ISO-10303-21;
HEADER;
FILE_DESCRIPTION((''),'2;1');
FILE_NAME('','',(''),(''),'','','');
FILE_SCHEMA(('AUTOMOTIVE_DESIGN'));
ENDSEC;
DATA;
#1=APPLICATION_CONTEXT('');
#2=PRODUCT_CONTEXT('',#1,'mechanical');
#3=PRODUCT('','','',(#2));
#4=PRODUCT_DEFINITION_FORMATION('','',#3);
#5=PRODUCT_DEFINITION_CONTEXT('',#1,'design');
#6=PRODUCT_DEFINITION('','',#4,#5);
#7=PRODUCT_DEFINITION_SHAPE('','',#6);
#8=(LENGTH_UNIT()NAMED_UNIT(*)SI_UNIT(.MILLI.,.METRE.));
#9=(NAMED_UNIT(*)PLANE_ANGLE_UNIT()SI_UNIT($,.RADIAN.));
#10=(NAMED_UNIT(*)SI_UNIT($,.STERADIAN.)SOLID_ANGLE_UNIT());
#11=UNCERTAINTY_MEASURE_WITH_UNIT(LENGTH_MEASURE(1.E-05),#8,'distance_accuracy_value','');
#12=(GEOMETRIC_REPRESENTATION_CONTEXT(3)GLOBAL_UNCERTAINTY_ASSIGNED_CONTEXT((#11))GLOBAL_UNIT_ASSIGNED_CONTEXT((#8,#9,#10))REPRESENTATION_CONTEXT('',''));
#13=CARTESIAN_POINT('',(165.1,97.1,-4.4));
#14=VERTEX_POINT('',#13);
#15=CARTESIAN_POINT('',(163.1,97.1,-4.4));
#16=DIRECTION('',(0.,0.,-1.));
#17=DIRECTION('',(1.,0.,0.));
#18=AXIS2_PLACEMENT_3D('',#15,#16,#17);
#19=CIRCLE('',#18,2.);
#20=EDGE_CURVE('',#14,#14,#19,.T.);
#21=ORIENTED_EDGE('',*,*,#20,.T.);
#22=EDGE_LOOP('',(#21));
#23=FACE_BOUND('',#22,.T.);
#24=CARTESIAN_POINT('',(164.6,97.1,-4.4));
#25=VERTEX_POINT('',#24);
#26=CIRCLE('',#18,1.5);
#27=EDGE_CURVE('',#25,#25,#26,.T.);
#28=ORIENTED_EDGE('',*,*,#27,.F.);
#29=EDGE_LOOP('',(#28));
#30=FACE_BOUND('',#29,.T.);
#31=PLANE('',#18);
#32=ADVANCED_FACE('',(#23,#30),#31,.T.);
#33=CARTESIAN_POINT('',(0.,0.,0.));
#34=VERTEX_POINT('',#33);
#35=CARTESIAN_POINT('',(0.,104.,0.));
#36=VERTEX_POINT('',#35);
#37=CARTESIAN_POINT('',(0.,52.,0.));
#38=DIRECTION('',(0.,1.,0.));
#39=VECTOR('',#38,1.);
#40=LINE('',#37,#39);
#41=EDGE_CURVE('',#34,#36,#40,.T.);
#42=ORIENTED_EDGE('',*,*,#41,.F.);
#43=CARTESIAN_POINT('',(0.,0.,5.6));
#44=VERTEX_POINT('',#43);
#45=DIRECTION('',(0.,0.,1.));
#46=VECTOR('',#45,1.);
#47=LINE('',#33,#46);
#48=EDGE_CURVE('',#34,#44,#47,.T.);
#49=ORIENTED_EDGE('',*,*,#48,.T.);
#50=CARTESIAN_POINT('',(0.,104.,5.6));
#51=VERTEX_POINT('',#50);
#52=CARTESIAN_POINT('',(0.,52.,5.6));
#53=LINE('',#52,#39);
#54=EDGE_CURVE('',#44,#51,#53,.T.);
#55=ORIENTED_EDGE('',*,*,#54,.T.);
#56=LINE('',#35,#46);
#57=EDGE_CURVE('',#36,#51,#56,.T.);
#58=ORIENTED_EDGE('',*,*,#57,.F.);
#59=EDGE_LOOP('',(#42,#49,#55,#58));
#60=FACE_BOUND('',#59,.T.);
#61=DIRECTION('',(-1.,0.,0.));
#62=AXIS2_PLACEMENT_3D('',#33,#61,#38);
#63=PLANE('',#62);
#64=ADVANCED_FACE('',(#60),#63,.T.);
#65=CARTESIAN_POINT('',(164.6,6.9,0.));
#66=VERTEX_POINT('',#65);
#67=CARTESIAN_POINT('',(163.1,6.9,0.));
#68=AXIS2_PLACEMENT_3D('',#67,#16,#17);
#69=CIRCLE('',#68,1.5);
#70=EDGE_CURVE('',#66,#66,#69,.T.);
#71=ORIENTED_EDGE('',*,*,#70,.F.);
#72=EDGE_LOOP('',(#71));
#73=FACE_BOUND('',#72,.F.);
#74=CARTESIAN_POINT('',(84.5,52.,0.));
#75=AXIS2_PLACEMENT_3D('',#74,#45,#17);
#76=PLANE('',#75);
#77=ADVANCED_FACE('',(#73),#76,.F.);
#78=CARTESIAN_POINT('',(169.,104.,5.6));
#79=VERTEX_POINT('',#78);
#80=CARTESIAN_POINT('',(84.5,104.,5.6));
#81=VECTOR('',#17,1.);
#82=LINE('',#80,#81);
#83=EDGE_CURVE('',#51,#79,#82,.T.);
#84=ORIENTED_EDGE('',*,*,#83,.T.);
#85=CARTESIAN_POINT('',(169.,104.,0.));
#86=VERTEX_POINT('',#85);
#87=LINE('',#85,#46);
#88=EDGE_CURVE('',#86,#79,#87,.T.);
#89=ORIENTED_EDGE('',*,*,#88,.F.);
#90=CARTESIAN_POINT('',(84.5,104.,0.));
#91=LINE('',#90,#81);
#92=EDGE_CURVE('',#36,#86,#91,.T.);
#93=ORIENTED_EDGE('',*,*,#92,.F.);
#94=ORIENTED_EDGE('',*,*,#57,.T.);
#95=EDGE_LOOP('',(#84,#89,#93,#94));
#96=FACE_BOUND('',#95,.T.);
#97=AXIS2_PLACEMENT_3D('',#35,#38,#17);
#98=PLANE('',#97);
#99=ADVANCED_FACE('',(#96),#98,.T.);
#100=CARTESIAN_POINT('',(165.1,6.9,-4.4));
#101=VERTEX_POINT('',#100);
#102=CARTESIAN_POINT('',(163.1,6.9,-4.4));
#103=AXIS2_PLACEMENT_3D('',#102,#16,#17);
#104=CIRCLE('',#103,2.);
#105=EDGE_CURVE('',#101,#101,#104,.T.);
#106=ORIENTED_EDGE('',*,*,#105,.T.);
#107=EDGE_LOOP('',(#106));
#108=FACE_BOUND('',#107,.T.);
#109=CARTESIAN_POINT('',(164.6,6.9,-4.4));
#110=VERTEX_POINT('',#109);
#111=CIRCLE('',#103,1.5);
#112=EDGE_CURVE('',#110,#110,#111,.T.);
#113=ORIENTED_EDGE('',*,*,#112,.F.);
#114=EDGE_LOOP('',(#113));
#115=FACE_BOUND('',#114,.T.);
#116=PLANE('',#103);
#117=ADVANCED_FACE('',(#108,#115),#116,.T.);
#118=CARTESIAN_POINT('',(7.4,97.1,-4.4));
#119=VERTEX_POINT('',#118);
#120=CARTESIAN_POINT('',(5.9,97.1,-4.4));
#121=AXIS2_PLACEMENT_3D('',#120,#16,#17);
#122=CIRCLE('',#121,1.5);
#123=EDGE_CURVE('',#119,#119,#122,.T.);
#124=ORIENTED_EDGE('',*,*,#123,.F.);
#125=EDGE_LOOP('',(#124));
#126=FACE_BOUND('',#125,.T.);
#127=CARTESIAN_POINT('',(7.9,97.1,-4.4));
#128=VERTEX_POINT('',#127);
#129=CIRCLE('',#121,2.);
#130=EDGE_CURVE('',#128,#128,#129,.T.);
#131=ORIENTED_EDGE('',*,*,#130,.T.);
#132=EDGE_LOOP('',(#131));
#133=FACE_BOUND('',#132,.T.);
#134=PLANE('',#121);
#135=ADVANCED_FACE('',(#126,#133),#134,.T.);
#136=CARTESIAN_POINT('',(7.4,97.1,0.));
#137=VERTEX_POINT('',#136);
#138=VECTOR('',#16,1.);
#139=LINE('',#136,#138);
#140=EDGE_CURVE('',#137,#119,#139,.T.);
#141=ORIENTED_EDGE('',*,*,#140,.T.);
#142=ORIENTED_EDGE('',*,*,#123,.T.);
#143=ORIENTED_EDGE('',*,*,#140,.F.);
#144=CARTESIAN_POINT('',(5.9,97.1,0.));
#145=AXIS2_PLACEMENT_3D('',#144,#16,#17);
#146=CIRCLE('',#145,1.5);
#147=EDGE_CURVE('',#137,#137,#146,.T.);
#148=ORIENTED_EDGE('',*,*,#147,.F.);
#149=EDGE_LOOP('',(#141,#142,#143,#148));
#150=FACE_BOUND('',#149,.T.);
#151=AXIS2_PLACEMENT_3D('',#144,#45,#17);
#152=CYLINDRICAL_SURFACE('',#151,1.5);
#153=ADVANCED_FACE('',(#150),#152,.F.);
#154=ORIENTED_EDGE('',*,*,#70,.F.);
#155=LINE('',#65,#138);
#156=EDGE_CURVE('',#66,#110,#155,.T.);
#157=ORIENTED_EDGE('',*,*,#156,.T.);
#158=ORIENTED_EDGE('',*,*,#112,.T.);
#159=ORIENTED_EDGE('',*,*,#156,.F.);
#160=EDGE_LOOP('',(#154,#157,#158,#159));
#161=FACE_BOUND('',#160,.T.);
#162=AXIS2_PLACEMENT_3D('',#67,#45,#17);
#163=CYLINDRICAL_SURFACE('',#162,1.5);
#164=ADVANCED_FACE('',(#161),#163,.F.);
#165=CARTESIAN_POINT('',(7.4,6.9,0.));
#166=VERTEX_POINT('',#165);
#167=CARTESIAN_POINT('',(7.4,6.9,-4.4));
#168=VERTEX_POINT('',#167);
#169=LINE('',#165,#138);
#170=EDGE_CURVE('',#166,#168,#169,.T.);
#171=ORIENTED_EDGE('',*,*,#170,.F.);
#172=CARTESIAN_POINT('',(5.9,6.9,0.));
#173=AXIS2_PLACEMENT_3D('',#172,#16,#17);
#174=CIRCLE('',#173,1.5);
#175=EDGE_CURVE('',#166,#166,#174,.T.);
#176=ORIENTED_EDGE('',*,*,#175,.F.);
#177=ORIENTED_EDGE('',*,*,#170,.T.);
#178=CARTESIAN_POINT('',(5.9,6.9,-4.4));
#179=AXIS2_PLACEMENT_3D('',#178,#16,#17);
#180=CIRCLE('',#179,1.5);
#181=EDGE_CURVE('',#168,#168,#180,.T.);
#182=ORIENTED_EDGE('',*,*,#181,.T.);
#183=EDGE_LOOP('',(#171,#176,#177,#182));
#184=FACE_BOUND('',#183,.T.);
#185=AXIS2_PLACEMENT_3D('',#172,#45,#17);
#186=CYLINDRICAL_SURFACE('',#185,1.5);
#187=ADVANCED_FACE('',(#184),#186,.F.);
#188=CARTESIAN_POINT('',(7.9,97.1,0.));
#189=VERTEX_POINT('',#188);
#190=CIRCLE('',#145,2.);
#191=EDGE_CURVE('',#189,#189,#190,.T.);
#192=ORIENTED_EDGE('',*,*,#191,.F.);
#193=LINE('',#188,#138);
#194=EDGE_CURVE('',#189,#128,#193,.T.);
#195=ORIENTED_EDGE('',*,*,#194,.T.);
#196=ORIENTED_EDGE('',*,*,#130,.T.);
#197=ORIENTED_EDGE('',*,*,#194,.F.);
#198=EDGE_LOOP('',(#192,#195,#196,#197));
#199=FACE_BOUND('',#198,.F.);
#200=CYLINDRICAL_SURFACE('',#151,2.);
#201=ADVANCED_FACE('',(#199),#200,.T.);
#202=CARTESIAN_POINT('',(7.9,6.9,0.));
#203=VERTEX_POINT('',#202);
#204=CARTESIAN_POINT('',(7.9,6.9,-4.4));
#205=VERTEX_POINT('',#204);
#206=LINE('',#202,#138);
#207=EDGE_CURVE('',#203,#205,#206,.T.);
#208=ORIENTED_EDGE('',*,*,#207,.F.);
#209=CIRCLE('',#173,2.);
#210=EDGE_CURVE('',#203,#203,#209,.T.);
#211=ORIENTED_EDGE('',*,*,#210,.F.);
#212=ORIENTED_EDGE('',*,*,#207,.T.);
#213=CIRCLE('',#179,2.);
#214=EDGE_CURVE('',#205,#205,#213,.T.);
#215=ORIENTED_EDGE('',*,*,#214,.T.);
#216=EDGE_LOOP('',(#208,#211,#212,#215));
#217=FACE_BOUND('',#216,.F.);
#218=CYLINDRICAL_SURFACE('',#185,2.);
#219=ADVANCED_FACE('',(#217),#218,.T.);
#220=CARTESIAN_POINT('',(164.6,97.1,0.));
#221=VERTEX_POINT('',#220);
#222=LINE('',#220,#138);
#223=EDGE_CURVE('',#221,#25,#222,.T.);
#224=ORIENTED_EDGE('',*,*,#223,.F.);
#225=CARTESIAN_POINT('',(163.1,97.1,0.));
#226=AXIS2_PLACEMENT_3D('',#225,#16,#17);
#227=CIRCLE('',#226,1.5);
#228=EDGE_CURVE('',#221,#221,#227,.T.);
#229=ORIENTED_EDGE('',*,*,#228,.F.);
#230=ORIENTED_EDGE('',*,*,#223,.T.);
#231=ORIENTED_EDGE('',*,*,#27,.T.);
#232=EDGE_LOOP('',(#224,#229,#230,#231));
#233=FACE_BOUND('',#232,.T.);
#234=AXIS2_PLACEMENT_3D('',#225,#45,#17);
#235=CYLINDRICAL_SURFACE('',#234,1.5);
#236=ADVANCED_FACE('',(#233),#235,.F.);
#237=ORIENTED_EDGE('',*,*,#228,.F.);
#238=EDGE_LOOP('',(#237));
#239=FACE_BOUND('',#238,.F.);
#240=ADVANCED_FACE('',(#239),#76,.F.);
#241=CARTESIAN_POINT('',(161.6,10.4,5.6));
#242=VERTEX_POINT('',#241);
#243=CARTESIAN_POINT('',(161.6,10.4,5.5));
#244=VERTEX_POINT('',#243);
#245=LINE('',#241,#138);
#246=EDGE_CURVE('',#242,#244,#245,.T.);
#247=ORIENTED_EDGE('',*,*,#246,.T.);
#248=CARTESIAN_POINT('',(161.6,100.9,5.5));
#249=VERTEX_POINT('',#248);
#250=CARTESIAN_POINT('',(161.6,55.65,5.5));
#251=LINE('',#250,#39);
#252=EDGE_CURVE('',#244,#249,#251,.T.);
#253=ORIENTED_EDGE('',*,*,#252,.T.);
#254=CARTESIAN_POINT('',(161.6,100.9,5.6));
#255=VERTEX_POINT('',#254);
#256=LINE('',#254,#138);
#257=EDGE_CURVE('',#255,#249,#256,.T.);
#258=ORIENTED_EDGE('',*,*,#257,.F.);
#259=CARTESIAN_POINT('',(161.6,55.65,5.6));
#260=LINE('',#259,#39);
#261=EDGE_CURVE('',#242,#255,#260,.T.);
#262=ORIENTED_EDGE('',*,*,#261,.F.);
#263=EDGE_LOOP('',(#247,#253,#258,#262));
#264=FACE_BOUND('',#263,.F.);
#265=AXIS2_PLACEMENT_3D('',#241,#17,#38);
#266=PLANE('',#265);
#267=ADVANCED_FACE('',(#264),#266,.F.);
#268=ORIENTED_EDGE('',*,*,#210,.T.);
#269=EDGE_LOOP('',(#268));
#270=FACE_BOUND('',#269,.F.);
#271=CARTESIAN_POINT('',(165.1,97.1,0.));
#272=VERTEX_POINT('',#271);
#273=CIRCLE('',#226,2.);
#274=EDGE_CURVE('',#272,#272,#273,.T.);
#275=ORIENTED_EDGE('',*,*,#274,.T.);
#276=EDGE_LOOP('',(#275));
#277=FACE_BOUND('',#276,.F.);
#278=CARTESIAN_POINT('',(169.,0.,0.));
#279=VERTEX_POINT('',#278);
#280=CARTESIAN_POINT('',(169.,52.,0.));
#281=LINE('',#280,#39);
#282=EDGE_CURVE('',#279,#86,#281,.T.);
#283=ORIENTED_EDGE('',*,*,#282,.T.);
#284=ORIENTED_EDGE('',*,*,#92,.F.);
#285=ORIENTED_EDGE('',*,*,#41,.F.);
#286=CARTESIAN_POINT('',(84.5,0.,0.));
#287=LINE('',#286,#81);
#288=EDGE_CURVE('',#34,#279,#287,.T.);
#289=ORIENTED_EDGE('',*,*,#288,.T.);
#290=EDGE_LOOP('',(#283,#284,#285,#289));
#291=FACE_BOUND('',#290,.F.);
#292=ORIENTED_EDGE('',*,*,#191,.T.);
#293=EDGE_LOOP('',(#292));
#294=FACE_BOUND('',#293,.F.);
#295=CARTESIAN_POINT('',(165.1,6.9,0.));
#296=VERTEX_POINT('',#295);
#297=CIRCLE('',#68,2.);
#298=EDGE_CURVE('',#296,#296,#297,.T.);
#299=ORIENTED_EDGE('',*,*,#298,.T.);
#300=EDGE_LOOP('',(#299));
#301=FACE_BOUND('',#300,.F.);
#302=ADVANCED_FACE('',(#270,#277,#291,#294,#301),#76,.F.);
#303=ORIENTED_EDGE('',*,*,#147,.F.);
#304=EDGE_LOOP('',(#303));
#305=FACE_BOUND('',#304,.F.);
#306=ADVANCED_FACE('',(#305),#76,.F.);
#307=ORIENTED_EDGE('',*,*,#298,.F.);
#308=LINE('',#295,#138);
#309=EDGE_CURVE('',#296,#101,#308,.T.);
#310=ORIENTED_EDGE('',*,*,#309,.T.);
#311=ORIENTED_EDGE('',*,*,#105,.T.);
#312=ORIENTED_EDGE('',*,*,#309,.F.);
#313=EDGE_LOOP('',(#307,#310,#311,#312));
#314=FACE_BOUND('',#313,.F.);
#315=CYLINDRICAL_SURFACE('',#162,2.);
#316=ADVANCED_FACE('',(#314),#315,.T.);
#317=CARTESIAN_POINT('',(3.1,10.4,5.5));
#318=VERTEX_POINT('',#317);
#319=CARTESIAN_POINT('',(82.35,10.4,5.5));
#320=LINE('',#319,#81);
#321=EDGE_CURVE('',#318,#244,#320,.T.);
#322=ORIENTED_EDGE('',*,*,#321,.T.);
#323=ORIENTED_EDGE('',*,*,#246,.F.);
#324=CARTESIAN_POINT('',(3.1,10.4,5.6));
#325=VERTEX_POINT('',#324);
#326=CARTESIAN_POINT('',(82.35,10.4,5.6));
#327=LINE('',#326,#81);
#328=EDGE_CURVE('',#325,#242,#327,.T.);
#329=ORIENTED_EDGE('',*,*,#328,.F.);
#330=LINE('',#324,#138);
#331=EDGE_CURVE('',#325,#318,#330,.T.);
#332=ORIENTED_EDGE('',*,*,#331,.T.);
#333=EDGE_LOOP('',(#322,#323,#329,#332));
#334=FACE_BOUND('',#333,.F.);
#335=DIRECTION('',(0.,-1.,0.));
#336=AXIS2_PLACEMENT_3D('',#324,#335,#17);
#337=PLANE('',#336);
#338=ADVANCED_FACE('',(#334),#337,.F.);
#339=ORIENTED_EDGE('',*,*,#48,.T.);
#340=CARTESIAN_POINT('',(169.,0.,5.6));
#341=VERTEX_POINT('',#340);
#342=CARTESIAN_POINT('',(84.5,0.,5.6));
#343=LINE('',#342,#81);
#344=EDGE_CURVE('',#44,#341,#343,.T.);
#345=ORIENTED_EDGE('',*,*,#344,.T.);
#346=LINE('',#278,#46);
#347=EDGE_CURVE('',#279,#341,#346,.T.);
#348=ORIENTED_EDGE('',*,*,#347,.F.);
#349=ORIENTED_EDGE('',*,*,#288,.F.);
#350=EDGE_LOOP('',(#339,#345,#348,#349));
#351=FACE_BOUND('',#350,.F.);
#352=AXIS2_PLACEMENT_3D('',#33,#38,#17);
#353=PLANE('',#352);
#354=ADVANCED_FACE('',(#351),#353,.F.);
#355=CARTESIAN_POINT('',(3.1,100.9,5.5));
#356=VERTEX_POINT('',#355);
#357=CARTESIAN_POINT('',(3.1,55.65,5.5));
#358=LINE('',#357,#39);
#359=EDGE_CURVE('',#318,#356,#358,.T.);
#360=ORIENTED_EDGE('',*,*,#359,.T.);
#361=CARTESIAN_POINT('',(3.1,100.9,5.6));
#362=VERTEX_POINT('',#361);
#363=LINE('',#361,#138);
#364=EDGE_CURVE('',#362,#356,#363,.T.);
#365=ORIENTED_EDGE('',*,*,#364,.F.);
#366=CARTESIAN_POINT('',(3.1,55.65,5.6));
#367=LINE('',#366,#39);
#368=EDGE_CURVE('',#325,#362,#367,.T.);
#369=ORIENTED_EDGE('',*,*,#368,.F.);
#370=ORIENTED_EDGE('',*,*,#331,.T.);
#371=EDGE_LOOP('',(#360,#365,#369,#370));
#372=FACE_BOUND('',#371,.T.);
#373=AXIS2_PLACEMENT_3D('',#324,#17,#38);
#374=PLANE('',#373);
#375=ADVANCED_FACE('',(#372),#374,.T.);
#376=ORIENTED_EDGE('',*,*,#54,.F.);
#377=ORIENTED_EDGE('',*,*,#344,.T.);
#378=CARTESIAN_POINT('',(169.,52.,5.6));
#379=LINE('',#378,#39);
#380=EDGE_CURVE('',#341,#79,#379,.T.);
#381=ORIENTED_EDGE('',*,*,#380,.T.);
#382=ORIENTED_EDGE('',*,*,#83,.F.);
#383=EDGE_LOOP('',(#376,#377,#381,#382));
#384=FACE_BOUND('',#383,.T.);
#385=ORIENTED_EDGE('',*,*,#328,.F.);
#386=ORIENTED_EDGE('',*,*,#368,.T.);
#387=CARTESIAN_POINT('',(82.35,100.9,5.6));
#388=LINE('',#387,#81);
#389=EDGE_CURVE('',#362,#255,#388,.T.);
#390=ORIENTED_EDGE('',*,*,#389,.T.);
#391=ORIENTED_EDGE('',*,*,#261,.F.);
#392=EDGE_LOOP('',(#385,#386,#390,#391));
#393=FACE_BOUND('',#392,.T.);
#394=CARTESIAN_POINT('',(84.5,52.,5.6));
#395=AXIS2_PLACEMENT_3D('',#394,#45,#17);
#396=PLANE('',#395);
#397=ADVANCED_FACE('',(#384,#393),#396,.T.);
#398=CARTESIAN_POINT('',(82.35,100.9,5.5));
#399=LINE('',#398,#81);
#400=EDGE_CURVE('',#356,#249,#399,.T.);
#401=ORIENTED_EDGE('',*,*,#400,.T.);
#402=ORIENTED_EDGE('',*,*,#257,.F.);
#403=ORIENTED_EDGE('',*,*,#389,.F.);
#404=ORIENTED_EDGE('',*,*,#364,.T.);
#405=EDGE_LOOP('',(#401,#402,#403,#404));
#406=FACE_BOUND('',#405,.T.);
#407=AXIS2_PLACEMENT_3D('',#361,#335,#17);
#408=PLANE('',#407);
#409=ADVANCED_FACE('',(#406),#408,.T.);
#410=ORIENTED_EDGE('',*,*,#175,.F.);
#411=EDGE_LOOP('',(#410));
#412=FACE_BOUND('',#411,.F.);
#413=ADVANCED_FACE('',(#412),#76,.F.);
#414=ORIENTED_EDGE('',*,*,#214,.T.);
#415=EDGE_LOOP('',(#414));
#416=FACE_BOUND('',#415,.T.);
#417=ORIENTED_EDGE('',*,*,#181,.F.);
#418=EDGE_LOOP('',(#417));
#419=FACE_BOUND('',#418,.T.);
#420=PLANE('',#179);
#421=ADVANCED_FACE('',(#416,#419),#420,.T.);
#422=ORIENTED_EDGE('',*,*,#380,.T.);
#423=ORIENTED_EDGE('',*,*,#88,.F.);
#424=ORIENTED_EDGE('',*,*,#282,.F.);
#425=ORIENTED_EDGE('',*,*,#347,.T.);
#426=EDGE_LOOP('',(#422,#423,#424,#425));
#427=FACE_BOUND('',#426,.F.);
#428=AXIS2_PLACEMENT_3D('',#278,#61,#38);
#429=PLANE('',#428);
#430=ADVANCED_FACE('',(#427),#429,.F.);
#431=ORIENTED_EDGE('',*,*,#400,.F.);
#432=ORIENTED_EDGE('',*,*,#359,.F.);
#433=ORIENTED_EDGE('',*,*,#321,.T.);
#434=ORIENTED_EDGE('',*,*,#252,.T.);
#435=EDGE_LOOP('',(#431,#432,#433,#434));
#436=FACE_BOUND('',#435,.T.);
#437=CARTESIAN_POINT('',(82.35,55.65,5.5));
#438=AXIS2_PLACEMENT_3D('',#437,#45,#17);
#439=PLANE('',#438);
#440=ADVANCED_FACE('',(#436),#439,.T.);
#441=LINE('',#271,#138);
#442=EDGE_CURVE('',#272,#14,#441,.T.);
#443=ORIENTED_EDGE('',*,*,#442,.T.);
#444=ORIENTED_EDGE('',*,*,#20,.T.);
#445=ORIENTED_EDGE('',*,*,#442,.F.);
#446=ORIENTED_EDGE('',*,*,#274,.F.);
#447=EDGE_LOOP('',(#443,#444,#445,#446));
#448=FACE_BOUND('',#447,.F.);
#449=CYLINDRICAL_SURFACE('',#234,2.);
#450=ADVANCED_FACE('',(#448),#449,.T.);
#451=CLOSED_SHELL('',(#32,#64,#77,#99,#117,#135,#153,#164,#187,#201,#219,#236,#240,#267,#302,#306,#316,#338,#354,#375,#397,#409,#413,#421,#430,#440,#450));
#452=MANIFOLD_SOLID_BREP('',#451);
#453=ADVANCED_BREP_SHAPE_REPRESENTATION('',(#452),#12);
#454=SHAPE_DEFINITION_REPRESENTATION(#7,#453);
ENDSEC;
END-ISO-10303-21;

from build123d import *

# Parameters (mm, degrees)
F0_W     = 169
F0_H     = 104
F1_DEPTH = 5.6
F2_W     = 158.5
F2_H     = 90.5
F3_DEPTH = 0.1
F4_R     = 2
F4_R_2   = 1.5
F5_DEPTH = 4.4


with BuildPart() as f1:
    # F0 (on Top) → F1 (new body)
    with BuildSketch(Plane.XY):
        with Locations((84.5, 52)):
            Rectangle(F0_W, F0_H)
    extrude(amount=F1_DEPTH)

    # F2 (on face) → F3 (cut)
    with BuildSketch(Plane.XY.offset(5.6)):
        with Locations((82.35, 55.65)):
            Rectangle(F2_W, F2_H)
    extrude(amount=-F3_DEPTH, mode=Mode.SUBTRACT)

    # F4 (on face) → F5 (join)
    with BuildSketch(Plane(origin=(0, 0, 0), x_dir=(1, 0, 0), z_dir=(0, 0, -1))):
        with Locations((163.1, -97.1)):
            Circle(F4_R)
        with Locations((163.1, -97.1)):
            Circle(F4_R_2, mode=Mode.SUBTRACT)
        with Locations((5.9, -97.1)):
            Circle(F4_R)
        with Locations((5.9, -97.1)):
            Circle(F4_R_2, mode=Mode.SUBTRACT)
        with Locations((5.9, -6.9)):
            Circle(F4_R)
        with Locations((5.9, -6.9)):
            Circle(F4_R_2, mode=Mode.SUBTRACT)
        with Locations((163.1, -6.9)):
            Circle(F4_R)
        with Locations((163.1, -6.9)):
            Circle(F4_R_2, mode=Mode.SUBTRACT)
    extrude(amount=F5_DEPTH)


solid = f1.part
